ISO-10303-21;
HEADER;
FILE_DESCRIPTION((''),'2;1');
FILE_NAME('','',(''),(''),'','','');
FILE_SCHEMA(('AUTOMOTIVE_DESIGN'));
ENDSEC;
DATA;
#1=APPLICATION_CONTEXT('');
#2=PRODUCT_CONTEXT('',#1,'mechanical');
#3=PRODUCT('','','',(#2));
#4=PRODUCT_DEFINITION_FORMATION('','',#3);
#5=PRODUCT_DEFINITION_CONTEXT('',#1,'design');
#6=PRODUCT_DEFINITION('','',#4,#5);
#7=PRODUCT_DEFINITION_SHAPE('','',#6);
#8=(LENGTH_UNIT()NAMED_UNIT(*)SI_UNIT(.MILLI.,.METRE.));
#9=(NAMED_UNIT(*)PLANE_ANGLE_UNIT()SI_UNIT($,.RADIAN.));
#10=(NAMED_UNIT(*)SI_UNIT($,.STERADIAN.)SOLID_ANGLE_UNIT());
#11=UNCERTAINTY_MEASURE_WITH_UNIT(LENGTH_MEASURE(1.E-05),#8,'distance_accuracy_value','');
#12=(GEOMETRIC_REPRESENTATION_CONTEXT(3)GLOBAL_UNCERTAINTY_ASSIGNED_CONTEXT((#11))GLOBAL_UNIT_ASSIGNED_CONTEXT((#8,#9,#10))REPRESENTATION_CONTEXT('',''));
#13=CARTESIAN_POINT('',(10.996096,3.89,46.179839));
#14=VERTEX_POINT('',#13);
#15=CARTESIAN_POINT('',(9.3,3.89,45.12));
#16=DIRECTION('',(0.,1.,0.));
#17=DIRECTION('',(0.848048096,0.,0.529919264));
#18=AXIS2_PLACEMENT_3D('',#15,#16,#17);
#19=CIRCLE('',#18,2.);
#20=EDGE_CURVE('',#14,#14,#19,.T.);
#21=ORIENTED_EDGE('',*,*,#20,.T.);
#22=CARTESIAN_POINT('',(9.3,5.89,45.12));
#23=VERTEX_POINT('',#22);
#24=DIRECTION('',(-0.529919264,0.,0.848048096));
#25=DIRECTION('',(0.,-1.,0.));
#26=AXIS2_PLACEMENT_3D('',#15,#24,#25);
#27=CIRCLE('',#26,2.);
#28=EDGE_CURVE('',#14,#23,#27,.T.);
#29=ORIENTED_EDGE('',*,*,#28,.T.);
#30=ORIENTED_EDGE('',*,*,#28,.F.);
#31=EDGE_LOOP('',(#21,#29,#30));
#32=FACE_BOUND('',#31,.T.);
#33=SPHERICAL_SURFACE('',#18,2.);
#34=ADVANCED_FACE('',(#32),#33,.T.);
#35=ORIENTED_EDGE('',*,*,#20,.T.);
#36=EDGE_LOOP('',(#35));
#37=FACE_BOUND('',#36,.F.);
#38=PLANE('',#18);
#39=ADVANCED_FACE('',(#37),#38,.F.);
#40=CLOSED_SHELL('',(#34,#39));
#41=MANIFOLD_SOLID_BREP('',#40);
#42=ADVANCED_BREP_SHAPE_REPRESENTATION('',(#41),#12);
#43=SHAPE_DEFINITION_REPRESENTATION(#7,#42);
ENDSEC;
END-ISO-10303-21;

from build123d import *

# Parameters (mm, degrees)
BOX166_W           = 10
BOX166_H           = 10
BOX166_DEPTH       = 10
CUT082_ROLL_ANGLE  = -90
CUT082_PITCH_ANGLE = -32


with BuildPart() as cube011:
    # Box166 → Box166 (new body)
    with BuildSketch(Plane(origin=(-5, -5, -10), x_dir=(1, 0, 0), z_dir=(0, 0, 1))):
        with Locations((5, 5)):
            Rectangle(BOX166_W, BOX166_H)
    extrude(amount=BOX166_DEPTH)


with BuildPart() as sapphire_half_ball_lens011:
    # Sphere011 → Sphere011 (revolve)
    with BuildSketch(Plane.XZ):
        with BuildLine():
            ThreePointArc((0, -2), (2, 0), (0, 2))
            Line((0, 2), (0, -2))
        make_face()
    revolve(axis=Axis((0, 0, 0), (0, 0, 1)))

    # Cut082: cut Cube011
    add(cube011.part, mode=Mode.SUBTRACT)


with BuildPart() as sapphire_half_ball_lens011_1:
    # Cut082 roll: moved
    add(sapphire_half_ball_lens011.part.rotate(Axis((0, 0, 0), (1, 0, 0)), CUT082_ROLL_ANGLE))


with BuildPart() as sapphire_half_ball_lens011_2:
    # Cut082 pitch: moved
    add(sapphire_half_ball_lens011_1.part.rotate(Axis((0, 0, 0), (0, 1, 0)), CUT082_PITCH_ANGLE))


with BuildPart() as sapphire_half_ball_lens011_3:
    # Cut082 placement: moved
    add(sapphire_half_ball_lens011_2.part.moved(Location((9.3, 3.89, 45.12))))


solid = sapphire_half_ball_lens011_3.part
